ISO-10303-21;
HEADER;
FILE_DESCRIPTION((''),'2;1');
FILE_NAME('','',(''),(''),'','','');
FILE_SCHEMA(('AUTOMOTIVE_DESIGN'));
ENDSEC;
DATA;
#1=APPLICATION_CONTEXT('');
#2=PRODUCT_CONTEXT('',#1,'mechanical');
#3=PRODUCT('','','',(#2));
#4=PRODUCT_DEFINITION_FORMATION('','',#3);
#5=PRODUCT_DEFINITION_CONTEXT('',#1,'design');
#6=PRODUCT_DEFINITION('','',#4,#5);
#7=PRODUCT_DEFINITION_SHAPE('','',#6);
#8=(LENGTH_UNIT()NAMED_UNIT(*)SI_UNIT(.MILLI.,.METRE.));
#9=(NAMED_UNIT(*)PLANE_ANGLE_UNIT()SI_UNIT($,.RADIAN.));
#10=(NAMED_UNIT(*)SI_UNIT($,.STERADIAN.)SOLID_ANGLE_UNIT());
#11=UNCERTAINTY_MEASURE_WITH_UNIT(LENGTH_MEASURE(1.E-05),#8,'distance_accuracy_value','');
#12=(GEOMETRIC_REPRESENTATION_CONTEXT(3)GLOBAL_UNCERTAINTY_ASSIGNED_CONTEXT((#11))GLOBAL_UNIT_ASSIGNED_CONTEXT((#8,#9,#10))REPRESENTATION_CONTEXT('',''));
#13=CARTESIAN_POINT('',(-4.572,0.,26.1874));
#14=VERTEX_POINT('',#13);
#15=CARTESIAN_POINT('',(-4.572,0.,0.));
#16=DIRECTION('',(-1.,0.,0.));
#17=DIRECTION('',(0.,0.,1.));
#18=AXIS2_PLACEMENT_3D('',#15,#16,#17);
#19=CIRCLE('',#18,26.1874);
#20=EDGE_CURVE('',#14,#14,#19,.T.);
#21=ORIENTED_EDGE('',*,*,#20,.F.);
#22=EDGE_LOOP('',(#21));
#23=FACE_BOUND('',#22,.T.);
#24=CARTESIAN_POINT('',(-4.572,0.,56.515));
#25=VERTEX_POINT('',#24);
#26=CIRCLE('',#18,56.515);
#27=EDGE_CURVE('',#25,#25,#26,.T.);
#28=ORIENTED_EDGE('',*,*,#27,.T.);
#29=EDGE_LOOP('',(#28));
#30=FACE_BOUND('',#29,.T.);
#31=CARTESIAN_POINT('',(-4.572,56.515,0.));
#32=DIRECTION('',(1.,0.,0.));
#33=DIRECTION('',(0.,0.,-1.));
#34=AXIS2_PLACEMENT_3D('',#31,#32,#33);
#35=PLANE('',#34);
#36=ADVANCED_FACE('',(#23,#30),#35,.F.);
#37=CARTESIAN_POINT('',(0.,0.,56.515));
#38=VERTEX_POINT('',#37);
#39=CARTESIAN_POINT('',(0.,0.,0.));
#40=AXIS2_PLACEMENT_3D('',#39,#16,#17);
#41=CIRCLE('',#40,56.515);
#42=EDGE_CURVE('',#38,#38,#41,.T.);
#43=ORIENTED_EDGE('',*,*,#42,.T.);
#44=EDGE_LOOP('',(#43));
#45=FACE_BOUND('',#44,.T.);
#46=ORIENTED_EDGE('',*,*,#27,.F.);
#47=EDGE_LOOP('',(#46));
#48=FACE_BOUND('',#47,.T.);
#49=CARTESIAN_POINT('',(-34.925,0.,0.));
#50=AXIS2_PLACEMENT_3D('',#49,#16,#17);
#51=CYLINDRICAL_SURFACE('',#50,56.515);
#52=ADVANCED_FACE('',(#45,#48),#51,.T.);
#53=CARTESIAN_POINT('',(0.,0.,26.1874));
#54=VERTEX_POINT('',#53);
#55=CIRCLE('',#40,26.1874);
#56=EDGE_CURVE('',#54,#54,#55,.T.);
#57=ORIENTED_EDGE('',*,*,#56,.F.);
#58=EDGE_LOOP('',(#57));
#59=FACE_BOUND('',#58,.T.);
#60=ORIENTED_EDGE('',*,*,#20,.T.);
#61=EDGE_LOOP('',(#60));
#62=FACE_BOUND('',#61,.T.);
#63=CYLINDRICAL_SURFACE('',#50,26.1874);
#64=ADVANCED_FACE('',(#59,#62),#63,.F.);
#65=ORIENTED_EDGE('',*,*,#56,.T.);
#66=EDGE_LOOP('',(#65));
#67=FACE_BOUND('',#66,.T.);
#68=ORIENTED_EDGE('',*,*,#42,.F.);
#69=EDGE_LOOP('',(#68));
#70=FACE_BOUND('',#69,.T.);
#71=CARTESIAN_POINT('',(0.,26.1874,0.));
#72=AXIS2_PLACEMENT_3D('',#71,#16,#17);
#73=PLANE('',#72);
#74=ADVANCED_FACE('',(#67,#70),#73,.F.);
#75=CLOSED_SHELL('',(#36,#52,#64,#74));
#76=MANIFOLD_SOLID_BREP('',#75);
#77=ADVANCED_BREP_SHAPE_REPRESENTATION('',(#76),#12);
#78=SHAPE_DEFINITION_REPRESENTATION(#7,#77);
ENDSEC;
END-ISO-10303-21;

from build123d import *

# Parameters (mm, degrees)
SKETCH1_W = 4.572
SKETCH1_H = 30.3276


with BuildPart() as part:
    # Sketch1 → Base-Revolve (revolve)
    with BuildSketch(Plane.XY):
        with Locations((-2.286, 41.3512)):
            Rectangle(SKETCH1_W, SKETCH1_H)
    revolve(axis=Axis((-34.925, 0, 0), (1, 0, 0)))


solid = part.part
